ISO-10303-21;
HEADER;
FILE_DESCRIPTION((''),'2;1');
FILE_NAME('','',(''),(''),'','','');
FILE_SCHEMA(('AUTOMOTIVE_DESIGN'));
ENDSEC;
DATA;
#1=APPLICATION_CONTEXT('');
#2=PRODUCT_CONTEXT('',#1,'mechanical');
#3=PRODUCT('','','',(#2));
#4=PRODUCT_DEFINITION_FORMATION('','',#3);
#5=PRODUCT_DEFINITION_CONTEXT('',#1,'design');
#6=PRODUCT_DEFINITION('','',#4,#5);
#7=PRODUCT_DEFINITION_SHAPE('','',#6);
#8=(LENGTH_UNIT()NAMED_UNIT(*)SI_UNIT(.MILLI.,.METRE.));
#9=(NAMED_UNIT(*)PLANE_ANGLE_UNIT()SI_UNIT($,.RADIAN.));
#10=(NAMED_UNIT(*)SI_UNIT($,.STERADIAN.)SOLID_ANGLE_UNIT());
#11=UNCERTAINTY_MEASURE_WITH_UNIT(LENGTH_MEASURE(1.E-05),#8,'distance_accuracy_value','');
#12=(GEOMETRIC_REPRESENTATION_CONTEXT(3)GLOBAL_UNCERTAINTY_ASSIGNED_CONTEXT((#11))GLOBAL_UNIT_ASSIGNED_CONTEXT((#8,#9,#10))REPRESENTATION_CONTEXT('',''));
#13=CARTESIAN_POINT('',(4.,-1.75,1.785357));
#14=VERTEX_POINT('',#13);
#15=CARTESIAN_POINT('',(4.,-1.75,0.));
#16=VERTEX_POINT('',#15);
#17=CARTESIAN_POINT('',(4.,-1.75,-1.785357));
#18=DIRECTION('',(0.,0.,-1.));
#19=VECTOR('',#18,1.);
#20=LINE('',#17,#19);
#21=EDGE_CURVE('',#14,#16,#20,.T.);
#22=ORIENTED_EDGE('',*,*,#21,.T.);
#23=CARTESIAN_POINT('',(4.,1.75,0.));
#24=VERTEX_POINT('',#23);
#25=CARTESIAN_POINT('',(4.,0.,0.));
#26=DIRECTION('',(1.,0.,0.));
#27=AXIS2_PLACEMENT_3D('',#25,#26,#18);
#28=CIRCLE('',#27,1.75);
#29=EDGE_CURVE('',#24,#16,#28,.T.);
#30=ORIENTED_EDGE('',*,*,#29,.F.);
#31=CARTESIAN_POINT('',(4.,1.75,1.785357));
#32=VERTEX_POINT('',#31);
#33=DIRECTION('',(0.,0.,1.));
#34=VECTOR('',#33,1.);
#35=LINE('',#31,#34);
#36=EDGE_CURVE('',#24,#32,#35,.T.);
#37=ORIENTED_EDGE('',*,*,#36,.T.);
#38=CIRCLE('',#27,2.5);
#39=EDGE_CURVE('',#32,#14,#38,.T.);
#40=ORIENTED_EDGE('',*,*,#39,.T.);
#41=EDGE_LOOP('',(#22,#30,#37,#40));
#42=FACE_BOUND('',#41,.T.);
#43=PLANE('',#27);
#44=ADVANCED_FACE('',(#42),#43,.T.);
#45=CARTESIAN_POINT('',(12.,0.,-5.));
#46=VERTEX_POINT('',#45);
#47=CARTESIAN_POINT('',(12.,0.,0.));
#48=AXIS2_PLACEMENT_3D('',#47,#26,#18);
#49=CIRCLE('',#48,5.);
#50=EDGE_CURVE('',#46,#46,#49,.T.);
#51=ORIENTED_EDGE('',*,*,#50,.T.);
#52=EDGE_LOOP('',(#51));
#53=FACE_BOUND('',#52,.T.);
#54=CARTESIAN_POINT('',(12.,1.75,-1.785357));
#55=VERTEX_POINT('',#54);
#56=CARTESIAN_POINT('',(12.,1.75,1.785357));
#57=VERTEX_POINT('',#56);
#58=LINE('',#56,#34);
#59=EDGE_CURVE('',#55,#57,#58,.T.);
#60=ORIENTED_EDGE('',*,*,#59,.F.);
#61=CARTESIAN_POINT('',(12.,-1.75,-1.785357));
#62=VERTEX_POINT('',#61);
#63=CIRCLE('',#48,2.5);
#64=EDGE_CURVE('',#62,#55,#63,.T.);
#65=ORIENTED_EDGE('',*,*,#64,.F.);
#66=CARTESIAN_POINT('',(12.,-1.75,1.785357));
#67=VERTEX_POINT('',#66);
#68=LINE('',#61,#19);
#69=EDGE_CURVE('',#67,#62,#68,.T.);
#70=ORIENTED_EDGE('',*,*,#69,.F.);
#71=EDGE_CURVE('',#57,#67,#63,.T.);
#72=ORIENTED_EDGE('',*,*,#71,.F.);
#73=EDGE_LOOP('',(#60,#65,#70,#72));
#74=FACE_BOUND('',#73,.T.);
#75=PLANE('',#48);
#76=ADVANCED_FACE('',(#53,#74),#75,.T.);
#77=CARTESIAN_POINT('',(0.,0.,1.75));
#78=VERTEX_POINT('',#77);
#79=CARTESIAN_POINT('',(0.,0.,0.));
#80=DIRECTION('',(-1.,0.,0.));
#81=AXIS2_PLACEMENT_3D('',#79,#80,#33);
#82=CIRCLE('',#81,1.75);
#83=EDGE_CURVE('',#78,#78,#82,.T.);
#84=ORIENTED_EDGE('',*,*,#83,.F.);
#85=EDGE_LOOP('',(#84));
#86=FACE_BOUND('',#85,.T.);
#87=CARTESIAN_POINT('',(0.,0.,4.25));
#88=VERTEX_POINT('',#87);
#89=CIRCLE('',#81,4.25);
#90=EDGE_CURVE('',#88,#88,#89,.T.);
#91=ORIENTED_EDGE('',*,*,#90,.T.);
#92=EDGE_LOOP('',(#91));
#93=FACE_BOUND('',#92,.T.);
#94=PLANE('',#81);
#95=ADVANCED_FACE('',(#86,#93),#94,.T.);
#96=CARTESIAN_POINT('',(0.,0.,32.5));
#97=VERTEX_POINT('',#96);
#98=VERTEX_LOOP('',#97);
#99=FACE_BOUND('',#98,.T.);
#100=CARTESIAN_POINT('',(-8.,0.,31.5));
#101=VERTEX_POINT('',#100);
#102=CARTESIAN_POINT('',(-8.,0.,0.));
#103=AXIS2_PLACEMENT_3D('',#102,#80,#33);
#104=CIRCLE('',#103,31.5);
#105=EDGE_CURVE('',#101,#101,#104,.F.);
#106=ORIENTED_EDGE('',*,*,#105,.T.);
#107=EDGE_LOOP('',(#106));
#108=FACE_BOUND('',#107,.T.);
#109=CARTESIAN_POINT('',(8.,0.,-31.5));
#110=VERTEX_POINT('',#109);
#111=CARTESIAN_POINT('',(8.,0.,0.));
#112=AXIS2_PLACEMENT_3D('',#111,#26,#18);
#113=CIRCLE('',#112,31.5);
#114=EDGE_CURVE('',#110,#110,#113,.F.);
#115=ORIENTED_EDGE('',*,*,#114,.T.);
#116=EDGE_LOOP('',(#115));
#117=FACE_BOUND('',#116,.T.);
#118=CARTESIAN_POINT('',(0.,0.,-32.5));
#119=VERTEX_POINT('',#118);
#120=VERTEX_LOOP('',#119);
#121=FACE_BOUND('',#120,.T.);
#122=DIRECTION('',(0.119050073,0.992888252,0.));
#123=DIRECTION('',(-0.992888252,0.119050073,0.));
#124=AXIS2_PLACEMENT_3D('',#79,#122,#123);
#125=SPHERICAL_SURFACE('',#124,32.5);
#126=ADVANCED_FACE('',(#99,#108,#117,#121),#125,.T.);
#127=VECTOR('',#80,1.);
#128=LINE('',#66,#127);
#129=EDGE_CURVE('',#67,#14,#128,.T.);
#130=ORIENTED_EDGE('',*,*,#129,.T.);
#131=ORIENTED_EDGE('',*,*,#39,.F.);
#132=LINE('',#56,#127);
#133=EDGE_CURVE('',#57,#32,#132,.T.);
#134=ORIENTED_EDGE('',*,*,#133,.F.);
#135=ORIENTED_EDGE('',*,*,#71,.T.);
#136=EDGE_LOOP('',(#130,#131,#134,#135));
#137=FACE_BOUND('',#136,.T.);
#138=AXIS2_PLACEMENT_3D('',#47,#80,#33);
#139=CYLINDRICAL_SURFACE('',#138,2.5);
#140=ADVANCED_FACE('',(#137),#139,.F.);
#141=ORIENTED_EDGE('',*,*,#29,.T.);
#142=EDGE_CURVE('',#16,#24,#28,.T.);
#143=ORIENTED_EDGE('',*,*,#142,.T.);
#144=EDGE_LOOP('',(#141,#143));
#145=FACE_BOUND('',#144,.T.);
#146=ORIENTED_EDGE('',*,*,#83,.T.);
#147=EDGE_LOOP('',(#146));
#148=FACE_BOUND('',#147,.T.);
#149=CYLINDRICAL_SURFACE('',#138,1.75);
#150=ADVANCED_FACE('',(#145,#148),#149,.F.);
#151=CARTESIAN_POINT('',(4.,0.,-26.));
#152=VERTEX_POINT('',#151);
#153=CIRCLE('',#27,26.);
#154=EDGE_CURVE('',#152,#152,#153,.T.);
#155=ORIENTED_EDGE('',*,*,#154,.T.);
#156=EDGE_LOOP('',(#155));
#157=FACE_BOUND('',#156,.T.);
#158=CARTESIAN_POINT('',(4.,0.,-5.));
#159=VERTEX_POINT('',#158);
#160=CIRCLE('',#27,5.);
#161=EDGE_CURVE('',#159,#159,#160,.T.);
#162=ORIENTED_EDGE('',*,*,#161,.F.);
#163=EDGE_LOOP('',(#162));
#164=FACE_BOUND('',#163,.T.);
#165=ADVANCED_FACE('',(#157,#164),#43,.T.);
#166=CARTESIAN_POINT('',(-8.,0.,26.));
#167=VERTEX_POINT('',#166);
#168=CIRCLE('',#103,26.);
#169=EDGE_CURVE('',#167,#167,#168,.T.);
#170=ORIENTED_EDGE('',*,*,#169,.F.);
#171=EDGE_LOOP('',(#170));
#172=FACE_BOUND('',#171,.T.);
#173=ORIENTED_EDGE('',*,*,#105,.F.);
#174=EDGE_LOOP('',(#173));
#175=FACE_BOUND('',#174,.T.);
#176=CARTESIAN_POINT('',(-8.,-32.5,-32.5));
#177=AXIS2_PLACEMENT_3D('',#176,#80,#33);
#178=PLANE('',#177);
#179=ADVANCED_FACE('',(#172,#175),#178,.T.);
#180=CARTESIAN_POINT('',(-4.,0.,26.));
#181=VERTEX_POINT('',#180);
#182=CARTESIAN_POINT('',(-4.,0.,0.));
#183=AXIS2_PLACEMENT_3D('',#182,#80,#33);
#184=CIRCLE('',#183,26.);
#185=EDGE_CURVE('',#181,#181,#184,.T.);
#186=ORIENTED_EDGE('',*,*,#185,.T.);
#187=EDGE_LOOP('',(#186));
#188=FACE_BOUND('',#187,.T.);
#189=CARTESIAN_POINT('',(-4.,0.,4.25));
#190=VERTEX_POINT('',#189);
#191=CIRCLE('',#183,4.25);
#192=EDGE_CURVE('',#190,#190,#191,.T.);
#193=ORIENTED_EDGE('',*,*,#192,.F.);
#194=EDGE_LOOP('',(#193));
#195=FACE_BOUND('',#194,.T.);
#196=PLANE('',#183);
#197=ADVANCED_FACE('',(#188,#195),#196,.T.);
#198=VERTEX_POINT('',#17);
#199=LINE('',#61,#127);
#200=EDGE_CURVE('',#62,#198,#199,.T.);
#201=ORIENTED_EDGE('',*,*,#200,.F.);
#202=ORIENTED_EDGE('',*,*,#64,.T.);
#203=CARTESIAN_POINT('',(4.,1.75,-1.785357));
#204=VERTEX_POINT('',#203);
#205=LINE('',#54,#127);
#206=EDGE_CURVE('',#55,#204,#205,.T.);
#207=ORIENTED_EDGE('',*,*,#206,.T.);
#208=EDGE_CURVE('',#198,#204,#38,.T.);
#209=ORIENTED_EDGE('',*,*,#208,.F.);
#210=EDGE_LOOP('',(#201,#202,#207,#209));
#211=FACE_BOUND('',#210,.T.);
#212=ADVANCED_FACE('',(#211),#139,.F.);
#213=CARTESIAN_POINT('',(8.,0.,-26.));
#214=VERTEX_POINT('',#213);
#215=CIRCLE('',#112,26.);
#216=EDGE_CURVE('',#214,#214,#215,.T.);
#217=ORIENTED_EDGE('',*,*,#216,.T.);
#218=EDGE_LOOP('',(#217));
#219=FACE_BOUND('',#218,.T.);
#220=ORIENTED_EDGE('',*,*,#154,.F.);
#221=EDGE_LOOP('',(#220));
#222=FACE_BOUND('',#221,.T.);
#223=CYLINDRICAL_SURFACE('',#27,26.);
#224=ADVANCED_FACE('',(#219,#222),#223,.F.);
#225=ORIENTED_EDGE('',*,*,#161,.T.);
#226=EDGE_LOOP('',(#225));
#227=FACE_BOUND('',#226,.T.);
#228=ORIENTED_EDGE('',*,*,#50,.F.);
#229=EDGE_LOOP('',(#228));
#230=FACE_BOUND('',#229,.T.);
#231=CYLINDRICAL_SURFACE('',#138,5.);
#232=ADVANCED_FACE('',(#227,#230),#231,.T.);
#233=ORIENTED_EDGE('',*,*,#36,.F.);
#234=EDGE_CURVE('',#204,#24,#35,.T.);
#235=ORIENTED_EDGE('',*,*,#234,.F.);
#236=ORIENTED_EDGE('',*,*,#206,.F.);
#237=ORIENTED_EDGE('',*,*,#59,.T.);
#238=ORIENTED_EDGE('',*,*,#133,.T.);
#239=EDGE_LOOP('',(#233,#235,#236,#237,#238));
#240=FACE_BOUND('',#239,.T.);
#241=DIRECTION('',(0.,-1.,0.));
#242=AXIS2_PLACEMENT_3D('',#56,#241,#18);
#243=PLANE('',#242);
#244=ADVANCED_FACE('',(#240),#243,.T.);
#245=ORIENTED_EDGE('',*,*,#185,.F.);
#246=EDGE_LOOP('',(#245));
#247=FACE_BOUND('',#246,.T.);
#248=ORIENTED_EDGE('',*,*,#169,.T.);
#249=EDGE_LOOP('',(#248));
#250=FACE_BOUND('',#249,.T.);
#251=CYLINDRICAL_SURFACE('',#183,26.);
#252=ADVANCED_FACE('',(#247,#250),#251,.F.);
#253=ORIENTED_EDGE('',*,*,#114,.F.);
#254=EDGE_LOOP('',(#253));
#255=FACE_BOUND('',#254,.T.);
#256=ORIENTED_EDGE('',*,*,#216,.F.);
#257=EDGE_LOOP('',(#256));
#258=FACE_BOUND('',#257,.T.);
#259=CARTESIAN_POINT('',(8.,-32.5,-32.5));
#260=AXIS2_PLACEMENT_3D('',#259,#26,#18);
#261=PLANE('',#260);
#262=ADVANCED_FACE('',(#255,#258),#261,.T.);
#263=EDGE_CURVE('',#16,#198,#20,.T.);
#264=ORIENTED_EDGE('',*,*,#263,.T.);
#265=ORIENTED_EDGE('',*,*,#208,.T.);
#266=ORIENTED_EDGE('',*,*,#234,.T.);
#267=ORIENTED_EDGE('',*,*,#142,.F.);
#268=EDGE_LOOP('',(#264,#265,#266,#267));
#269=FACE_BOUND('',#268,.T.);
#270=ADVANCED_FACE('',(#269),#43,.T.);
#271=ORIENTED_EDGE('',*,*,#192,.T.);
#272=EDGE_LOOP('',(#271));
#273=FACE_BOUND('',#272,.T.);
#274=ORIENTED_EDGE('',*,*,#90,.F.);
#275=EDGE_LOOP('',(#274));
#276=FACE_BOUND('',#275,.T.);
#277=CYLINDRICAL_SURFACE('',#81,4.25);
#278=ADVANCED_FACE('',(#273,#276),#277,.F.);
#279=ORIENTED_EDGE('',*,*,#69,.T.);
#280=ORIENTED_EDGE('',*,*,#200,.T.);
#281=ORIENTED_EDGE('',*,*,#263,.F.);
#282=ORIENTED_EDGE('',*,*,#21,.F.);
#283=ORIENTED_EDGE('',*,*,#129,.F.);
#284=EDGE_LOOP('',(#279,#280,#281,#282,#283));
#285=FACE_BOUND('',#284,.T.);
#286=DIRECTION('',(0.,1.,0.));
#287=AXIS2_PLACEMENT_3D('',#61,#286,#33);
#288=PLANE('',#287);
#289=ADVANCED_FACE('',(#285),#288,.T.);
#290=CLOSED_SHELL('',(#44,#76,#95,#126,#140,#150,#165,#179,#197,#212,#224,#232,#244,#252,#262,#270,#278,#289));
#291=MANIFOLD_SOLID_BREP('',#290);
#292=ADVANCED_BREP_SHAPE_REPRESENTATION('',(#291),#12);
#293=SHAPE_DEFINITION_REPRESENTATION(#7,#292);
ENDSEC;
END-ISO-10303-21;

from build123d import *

# Parameters (mm, degrees)
CUT_EXTRUDE_1_DEPTH      = 57.291651246
CUT_EXTRUDE_1_DEPTH_BACK = 57.291651246
SKETCH_2_OUTSIDE_W       = 89.516
SKETCH_2_OUTSIDE_H       = 89.516
SKETCH_2_OUTSIDE_W_2     = 16
SKETCH_2_OUTSIDE_H_2     = 65
SKETCH_3_R               = 26
CUT_EXTRUDE_2_DEPTH      = 4
CUT_EXTRUDE_START        = -4
SKETCH_4_R               = 26
CUT_EXTRUDE_3_DEPTH      = 4
SKETCH_5_R               = 5
EXTRUDE_2_DEPTH          = 8
SKETCH_6_R               = 4.25
CUT_EXTRUDE_6_DEPTH      = 4
SKETCH_7_R               = 1.75
CUT_EXTRUDE_7_DEPTH      = 48.502631506


with BuildPart() as part:
    # 草图1 → 旋转3 (revolve)
    with BuildSketch(Plane.XY):
        with BuildLine():
            Line((3.869127368, 32.268868177), (-3.869127368, -32.268868177))
            ThreePointArc((-3.869127368, -32.268868177), (-32.268868177, 3.869127368), (3.869127368, 32.268868177))
        make_face()
    revolve(axis=Axis((3.869127368, 32.268868177, 0), (-0.11905007287477921, -0.9928882515915424, 0)))

    # 草图2 outside → 切除-拉伸1 (cut, two sides: drawn at the far end of the back side and taken through both)
    with BuildSketch(Plane(origin=(0, 0, 0), x_dir=(1, 0, 0), z_dir=(0, 1, 0)).offset(-CUT_EXTRUDE_1_DEPTH_BACK)):
        Rectangle(SKETCH_2_OUTSIDE_W, SKETCH_2_OUTSIDE_H)
        Rectangle(SKETCH_2_OUTSIDE_W_2, SKETCH_2_OUTSIDE_H_2, mode=Mode.SUBTRACT)
    extrude(amount=CUT_EXTRUDE_1_DEPTH + CUT_EXTRUDE_1_DEPTH_BACK, mode=Mode.SUBTRACT)

    # 草图3 → 切除-拉伸2 (cut)
    with BuildSketch(Plane(origin=(8, 0, 0), x_dir=(0, 0, -1), z_dir=(1, 0, 0))):
        Circle(SKETCH_3_R)
    extrude(amount=-CUT_EXTRUDE_2_DEPTH, mode=Mode.SUBTRACT)

    # 草图4 → 切除-拉伸3 (cut)
    with BuildSketch(Plane.ZY.offset(8).offset(CUT_EXTRUDE_START)):
        with Locations(Location((0, 0, 0), (0, 0, 180))):
            Circle(SKETCH_4_R)
    extrude(amount=CUT_EXTRUDE_3_DEPTH, mode=Mode.SUBTRACT)

    # 草图5 → 凸台-拉伸2 (add)
    with BuildSketch(Plane(origin=(4, 0, 0), x_dir=(0, 0, -1), z_dir=(1, 0, 0))):
        Circle(SKETCH_5_R)
        with BuildLine():
            Line((-1.785357107, 1.75), (1.785357107, 1.75))
            ThreePointArc((1.785357107, 1.75), (2.5, 0), (1.785357107, -1.75))
            Line((1.785357107, -1.75), (-1.785357107, -1.75))
            ThreePointArc((-1.785357107, -1.75), (-2.5, 0), (-1.785357107, 1.75))
        make_face(mode=Mode.SUBTRACT)
    extrude(amount=EXTRUDE_2_DEPTH)

    # 草图6 → 切除-拉伸6 (cut)
    with BuildSketch(Plane.ZY.offset(8).offset(CUT_EXTRUDE_START)):
        Circle(SKETCH_6_R)
    extrude(amount=-CUT_EXTRUDE_6_DEPTH, mode=Mode.SUBTRACT)

    # 草图7 → 切除-拉伸7 (cut, through all)
    with BuildSketch(Plane.ZY):
        Circle(SKETCH_7_R)
    extrude(amount=-CUT_EXTRUDE_7_DEPTH, mode=Mode.SUBTRACT)


solid = part.part
